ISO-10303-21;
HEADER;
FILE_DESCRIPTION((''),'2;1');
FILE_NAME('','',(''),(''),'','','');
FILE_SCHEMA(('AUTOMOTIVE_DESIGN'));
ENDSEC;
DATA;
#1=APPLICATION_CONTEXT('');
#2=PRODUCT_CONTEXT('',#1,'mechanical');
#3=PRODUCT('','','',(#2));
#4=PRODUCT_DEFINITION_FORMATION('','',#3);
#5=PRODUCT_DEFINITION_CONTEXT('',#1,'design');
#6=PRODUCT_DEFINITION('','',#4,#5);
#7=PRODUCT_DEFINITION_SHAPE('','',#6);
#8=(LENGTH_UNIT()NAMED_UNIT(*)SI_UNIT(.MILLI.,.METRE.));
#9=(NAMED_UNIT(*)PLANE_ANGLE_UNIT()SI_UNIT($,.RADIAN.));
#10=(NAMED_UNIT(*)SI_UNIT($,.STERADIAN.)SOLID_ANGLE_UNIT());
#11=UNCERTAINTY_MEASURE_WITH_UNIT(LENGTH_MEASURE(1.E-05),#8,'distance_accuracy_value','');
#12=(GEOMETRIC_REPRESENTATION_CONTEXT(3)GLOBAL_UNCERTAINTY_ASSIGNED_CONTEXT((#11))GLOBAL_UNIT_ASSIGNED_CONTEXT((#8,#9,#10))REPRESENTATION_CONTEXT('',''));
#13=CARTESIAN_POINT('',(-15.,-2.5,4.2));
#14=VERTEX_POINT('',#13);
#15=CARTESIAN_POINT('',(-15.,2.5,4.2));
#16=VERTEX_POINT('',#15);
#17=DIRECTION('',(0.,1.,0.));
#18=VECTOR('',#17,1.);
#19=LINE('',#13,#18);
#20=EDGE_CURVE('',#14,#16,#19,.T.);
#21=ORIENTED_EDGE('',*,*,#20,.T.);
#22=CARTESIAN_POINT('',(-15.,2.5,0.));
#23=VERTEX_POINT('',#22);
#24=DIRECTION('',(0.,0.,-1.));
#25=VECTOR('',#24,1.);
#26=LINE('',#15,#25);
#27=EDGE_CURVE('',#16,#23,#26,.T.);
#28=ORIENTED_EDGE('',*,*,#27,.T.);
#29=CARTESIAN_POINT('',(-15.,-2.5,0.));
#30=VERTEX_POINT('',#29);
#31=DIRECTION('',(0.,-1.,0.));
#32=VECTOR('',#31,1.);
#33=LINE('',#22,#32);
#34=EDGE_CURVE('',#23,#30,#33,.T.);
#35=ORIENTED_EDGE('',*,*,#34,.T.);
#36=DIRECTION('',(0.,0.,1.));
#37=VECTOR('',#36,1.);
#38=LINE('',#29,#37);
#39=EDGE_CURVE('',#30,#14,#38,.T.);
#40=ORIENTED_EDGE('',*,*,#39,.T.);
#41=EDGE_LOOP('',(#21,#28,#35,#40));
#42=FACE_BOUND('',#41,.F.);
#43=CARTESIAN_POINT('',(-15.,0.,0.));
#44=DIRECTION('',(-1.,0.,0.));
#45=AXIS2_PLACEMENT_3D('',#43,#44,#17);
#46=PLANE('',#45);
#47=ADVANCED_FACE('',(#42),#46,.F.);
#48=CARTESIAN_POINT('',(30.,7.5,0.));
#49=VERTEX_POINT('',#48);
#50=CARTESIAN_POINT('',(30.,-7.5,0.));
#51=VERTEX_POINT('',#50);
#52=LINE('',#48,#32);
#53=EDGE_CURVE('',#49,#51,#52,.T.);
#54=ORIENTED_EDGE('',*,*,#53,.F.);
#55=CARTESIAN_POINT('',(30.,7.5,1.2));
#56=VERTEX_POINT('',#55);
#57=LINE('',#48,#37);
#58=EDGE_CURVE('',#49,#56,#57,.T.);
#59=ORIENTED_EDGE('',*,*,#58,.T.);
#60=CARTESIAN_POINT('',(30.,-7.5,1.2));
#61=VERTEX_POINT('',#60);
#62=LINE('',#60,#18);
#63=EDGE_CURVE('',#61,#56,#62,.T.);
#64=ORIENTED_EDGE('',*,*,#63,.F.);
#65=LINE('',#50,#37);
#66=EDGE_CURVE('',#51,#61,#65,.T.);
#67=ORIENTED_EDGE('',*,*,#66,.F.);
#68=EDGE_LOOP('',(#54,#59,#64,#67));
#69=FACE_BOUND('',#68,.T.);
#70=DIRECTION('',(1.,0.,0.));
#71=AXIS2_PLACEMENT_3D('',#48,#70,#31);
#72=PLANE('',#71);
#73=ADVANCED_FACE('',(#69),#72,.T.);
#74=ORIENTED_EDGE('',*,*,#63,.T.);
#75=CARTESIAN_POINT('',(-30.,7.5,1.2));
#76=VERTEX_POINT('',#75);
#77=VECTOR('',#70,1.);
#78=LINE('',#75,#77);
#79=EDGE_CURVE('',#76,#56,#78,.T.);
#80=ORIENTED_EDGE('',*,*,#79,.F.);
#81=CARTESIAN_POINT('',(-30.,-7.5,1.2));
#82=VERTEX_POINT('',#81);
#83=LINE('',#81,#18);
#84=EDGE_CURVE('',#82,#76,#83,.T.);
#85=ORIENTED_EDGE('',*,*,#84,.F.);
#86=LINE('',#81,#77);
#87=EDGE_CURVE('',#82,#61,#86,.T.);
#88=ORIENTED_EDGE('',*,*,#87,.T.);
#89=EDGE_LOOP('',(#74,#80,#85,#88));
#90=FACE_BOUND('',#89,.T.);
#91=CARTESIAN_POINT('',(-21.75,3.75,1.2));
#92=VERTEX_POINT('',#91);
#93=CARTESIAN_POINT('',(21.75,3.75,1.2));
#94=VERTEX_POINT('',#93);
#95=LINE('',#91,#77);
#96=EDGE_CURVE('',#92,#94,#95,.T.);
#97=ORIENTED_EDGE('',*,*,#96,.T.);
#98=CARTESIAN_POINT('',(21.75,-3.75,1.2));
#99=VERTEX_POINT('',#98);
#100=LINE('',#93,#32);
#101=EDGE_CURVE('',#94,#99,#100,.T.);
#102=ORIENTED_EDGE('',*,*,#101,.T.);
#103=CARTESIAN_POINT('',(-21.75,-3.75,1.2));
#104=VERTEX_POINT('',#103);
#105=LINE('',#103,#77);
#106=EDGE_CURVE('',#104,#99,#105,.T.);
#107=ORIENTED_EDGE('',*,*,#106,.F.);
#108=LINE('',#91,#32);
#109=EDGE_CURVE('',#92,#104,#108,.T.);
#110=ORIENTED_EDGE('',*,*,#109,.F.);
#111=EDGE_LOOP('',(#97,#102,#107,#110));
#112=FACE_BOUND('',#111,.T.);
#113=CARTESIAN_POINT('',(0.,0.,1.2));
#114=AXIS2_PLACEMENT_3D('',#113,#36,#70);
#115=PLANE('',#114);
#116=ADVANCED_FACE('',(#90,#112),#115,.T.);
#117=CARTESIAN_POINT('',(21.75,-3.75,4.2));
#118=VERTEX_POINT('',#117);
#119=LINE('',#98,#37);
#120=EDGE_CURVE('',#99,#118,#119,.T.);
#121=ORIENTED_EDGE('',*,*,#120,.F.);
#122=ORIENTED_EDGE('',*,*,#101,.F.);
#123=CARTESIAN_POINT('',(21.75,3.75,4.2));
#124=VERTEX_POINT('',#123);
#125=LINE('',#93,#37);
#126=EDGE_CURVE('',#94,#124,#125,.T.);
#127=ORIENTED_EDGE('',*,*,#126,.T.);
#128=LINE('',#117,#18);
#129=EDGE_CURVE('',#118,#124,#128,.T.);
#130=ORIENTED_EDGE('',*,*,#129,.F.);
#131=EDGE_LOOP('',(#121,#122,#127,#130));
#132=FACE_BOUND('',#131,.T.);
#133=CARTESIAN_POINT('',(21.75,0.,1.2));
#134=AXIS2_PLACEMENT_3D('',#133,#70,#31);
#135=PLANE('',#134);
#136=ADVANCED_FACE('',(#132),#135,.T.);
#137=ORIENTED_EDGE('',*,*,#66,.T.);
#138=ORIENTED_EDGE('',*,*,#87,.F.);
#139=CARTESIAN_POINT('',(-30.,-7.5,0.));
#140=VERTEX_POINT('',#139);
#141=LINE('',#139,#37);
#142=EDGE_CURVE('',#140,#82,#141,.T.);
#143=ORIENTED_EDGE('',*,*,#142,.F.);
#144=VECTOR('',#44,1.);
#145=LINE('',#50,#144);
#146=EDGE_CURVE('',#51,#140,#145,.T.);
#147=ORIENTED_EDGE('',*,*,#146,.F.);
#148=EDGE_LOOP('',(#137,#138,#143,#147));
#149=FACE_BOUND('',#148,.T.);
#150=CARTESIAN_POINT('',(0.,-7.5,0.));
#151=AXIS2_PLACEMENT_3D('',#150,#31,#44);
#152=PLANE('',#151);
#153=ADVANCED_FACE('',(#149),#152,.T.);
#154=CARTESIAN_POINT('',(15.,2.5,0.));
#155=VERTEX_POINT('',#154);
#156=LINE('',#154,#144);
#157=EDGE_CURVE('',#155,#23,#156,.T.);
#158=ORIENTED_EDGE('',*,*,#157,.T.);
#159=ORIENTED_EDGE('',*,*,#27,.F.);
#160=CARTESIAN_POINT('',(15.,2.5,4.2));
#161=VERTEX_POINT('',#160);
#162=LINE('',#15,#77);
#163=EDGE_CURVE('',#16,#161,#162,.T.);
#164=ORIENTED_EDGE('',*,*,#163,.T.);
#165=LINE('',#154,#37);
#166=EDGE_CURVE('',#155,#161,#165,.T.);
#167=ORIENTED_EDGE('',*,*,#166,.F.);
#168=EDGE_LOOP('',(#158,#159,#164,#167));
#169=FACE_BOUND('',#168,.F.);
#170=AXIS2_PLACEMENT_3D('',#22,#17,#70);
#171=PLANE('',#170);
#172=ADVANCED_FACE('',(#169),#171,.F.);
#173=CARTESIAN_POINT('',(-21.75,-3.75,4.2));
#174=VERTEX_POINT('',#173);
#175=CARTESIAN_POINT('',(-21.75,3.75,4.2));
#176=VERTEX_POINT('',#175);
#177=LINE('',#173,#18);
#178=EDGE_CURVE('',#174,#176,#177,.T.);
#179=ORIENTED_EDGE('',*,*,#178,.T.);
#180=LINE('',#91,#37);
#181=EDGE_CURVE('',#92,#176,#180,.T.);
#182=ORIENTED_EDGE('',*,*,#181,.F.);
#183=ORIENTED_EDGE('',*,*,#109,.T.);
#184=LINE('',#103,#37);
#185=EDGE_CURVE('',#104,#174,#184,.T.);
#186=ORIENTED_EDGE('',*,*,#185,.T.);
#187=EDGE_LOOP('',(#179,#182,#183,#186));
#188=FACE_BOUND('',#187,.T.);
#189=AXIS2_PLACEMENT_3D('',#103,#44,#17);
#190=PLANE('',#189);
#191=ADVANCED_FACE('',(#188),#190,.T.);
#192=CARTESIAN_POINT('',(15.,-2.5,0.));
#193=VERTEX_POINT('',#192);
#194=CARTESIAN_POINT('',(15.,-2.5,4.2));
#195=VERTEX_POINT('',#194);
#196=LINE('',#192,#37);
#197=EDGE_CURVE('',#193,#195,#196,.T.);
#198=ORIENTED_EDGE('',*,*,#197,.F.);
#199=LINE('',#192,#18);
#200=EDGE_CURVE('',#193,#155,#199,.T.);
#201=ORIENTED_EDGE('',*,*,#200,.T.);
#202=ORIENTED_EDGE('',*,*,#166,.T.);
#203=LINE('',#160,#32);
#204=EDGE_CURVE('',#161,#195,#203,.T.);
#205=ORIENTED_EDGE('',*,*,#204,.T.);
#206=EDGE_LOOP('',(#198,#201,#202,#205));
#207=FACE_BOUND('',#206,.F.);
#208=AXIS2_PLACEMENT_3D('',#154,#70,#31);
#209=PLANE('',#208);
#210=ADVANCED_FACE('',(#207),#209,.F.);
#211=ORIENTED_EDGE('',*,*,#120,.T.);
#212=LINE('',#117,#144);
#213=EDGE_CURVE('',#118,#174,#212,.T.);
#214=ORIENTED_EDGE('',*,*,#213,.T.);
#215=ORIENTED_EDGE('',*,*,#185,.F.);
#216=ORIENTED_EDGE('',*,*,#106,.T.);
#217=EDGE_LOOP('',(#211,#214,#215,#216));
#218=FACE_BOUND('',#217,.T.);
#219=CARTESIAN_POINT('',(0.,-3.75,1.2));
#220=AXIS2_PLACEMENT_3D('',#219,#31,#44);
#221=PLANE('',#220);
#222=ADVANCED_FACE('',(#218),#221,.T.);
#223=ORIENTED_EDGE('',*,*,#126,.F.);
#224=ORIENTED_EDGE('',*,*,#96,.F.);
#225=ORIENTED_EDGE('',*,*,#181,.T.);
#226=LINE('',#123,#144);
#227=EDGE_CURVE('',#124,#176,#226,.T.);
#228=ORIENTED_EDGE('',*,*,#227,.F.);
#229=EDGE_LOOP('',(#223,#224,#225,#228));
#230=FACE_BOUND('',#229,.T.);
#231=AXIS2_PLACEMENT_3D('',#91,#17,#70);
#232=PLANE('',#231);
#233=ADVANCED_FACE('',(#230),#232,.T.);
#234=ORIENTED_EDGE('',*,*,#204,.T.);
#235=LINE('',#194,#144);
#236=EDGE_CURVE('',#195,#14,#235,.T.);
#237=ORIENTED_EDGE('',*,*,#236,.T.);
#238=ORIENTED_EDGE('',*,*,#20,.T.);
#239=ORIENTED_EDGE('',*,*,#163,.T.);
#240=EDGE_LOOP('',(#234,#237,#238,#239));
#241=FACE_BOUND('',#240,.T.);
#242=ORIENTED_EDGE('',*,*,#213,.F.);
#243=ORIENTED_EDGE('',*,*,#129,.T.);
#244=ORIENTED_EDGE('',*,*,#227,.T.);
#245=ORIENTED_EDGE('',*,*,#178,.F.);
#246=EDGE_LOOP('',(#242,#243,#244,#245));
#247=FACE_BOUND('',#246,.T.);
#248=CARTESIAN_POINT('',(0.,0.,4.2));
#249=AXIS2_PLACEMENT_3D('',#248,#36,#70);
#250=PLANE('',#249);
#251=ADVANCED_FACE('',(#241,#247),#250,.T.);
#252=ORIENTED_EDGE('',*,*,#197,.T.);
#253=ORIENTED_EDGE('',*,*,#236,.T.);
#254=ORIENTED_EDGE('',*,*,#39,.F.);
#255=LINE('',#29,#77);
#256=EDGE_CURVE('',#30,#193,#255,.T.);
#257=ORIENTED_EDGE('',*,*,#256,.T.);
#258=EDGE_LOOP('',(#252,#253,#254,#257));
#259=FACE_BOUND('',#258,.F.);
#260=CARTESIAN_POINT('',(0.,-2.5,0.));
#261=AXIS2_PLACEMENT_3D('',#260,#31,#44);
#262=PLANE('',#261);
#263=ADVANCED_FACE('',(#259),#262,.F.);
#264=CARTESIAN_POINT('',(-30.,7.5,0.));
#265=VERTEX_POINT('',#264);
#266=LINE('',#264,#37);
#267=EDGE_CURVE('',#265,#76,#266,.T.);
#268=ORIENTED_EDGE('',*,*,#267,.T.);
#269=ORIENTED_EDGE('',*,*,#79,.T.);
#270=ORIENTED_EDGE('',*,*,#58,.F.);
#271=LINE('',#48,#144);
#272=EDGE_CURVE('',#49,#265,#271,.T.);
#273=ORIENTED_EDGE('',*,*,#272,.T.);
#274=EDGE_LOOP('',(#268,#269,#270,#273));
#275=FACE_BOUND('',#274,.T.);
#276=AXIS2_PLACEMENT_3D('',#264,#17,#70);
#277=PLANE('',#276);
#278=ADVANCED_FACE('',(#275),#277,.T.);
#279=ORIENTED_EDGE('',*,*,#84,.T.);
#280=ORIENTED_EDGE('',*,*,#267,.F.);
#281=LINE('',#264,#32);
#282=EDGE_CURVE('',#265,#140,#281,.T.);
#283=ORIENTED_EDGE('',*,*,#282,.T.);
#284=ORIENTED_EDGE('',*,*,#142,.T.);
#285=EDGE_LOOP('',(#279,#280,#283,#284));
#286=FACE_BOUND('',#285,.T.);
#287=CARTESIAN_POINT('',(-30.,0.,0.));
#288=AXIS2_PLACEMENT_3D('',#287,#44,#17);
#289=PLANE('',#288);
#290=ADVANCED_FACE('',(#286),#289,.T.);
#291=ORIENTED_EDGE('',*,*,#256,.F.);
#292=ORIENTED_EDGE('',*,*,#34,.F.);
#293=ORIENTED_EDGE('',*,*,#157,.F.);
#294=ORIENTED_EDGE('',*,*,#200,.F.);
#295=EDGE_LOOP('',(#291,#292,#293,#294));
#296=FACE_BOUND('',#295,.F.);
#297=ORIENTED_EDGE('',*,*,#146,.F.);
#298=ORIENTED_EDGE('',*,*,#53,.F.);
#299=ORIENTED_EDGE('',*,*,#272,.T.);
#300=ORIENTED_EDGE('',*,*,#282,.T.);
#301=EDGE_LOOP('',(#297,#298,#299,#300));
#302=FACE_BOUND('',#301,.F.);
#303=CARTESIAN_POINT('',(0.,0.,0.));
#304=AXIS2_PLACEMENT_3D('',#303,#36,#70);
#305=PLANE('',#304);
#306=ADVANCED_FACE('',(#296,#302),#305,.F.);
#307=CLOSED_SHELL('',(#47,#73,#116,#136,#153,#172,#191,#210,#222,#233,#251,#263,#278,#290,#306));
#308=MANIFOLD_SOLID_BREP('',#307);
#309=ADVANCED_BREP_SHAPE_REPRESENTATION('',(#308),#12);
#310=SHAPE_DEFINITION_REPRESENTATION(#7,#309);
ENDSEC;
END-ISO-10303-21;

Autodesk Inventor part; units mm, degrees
ref_plane "YZ Plane" through (0, 0, 0) normal (1, 0, 0) x (0, 1, 0)
ref_plane "XZ Plane" through (0, 0, 0) normal (0, 1, 0) x (-1, 0, 0)
ref_plane "XY Plane" through (0, 0, 0) normal (0, 0, 1) x (1, 0, 0)
sketch "Sketch1" plane through (0, 0, 0) normal (0, 0, 1) x (1, 0, 0)
  line L0 (-30, 7.5) -> (30, 7.5)
  line L1 (30, 7.5) -> (30, -7.5)
  line L2 (30, -7.5) -> (-30, -7.5)
  line L3 (-30, -7.5) -> (-30, 7.5)
  line L4 (-42, 0) -> (42, 0) projected
  line L5 (0, -10.5) -> (0, 10.5) projected
  line L6 (-15, 2.5) -> (15, 2.5)
  line L7 (15, 2.5) -> (15, -2.5)
  line L8 (15, -2.5) -> (-15, -2.5)
  line L9 (-15, -2.5) -> (-15, 2.5)
  point P0 (0, 0)
  dimension "d0" = 30
  dimension "d1" = 5
  dimension "d2" = 60
  dimension "d3" = 15
extrude "Extrusion1" add sketch "Sketch1" along normal blind 1.2 contours L0 L5 L6 L9 L4 L3 | L0 L1 L4 L7 L6 L5 | L4 L9 L8 L5 L2 L3 | L1 L2 L5 L8 L7 L4
sketch "Sketch2" plane through (0, 0, 1.2) normal (0, 0, 1) x (1, 0, 0)
  line L0 (0, -10.5) -> (0, 10.5) projected
  line L1 (-42, 0) -> (42, 0) projected
  line L2 (-21.75, 3.75) -> (21.75, 3.75)
  line L3 (21.75, 3.75) -> (21.75, -3.75)
  line L4 (21.75, -3.75) -> (-21.75, -3.75)
  line L5 (-21.75, -3.75) -> (-21.75, 3.75)
  line L6 (-15, -2.5) -> (-15, 2.5) projected
  line L7 (-15, 2.5) -> (15, 2.5) projected
  line L8 (15, -2.5) -> (-15, -2.5) projected
  line L9 (15, 2.5) -> (15, -2.5) projected
  point P0 (0, 0)
  dimension "d6" = 43.5
  dimension "d7" = 7.5
extrude "Extrusion2" add sketch "Sketch2" along normal blind 3 contours L4 L5 L1 L6 L8 L0 | L0 L8 L9 L1 L3 L4 | L1 L9 L7 L0 L2 L3 | L5 L2 L0 L7 L6 L1
